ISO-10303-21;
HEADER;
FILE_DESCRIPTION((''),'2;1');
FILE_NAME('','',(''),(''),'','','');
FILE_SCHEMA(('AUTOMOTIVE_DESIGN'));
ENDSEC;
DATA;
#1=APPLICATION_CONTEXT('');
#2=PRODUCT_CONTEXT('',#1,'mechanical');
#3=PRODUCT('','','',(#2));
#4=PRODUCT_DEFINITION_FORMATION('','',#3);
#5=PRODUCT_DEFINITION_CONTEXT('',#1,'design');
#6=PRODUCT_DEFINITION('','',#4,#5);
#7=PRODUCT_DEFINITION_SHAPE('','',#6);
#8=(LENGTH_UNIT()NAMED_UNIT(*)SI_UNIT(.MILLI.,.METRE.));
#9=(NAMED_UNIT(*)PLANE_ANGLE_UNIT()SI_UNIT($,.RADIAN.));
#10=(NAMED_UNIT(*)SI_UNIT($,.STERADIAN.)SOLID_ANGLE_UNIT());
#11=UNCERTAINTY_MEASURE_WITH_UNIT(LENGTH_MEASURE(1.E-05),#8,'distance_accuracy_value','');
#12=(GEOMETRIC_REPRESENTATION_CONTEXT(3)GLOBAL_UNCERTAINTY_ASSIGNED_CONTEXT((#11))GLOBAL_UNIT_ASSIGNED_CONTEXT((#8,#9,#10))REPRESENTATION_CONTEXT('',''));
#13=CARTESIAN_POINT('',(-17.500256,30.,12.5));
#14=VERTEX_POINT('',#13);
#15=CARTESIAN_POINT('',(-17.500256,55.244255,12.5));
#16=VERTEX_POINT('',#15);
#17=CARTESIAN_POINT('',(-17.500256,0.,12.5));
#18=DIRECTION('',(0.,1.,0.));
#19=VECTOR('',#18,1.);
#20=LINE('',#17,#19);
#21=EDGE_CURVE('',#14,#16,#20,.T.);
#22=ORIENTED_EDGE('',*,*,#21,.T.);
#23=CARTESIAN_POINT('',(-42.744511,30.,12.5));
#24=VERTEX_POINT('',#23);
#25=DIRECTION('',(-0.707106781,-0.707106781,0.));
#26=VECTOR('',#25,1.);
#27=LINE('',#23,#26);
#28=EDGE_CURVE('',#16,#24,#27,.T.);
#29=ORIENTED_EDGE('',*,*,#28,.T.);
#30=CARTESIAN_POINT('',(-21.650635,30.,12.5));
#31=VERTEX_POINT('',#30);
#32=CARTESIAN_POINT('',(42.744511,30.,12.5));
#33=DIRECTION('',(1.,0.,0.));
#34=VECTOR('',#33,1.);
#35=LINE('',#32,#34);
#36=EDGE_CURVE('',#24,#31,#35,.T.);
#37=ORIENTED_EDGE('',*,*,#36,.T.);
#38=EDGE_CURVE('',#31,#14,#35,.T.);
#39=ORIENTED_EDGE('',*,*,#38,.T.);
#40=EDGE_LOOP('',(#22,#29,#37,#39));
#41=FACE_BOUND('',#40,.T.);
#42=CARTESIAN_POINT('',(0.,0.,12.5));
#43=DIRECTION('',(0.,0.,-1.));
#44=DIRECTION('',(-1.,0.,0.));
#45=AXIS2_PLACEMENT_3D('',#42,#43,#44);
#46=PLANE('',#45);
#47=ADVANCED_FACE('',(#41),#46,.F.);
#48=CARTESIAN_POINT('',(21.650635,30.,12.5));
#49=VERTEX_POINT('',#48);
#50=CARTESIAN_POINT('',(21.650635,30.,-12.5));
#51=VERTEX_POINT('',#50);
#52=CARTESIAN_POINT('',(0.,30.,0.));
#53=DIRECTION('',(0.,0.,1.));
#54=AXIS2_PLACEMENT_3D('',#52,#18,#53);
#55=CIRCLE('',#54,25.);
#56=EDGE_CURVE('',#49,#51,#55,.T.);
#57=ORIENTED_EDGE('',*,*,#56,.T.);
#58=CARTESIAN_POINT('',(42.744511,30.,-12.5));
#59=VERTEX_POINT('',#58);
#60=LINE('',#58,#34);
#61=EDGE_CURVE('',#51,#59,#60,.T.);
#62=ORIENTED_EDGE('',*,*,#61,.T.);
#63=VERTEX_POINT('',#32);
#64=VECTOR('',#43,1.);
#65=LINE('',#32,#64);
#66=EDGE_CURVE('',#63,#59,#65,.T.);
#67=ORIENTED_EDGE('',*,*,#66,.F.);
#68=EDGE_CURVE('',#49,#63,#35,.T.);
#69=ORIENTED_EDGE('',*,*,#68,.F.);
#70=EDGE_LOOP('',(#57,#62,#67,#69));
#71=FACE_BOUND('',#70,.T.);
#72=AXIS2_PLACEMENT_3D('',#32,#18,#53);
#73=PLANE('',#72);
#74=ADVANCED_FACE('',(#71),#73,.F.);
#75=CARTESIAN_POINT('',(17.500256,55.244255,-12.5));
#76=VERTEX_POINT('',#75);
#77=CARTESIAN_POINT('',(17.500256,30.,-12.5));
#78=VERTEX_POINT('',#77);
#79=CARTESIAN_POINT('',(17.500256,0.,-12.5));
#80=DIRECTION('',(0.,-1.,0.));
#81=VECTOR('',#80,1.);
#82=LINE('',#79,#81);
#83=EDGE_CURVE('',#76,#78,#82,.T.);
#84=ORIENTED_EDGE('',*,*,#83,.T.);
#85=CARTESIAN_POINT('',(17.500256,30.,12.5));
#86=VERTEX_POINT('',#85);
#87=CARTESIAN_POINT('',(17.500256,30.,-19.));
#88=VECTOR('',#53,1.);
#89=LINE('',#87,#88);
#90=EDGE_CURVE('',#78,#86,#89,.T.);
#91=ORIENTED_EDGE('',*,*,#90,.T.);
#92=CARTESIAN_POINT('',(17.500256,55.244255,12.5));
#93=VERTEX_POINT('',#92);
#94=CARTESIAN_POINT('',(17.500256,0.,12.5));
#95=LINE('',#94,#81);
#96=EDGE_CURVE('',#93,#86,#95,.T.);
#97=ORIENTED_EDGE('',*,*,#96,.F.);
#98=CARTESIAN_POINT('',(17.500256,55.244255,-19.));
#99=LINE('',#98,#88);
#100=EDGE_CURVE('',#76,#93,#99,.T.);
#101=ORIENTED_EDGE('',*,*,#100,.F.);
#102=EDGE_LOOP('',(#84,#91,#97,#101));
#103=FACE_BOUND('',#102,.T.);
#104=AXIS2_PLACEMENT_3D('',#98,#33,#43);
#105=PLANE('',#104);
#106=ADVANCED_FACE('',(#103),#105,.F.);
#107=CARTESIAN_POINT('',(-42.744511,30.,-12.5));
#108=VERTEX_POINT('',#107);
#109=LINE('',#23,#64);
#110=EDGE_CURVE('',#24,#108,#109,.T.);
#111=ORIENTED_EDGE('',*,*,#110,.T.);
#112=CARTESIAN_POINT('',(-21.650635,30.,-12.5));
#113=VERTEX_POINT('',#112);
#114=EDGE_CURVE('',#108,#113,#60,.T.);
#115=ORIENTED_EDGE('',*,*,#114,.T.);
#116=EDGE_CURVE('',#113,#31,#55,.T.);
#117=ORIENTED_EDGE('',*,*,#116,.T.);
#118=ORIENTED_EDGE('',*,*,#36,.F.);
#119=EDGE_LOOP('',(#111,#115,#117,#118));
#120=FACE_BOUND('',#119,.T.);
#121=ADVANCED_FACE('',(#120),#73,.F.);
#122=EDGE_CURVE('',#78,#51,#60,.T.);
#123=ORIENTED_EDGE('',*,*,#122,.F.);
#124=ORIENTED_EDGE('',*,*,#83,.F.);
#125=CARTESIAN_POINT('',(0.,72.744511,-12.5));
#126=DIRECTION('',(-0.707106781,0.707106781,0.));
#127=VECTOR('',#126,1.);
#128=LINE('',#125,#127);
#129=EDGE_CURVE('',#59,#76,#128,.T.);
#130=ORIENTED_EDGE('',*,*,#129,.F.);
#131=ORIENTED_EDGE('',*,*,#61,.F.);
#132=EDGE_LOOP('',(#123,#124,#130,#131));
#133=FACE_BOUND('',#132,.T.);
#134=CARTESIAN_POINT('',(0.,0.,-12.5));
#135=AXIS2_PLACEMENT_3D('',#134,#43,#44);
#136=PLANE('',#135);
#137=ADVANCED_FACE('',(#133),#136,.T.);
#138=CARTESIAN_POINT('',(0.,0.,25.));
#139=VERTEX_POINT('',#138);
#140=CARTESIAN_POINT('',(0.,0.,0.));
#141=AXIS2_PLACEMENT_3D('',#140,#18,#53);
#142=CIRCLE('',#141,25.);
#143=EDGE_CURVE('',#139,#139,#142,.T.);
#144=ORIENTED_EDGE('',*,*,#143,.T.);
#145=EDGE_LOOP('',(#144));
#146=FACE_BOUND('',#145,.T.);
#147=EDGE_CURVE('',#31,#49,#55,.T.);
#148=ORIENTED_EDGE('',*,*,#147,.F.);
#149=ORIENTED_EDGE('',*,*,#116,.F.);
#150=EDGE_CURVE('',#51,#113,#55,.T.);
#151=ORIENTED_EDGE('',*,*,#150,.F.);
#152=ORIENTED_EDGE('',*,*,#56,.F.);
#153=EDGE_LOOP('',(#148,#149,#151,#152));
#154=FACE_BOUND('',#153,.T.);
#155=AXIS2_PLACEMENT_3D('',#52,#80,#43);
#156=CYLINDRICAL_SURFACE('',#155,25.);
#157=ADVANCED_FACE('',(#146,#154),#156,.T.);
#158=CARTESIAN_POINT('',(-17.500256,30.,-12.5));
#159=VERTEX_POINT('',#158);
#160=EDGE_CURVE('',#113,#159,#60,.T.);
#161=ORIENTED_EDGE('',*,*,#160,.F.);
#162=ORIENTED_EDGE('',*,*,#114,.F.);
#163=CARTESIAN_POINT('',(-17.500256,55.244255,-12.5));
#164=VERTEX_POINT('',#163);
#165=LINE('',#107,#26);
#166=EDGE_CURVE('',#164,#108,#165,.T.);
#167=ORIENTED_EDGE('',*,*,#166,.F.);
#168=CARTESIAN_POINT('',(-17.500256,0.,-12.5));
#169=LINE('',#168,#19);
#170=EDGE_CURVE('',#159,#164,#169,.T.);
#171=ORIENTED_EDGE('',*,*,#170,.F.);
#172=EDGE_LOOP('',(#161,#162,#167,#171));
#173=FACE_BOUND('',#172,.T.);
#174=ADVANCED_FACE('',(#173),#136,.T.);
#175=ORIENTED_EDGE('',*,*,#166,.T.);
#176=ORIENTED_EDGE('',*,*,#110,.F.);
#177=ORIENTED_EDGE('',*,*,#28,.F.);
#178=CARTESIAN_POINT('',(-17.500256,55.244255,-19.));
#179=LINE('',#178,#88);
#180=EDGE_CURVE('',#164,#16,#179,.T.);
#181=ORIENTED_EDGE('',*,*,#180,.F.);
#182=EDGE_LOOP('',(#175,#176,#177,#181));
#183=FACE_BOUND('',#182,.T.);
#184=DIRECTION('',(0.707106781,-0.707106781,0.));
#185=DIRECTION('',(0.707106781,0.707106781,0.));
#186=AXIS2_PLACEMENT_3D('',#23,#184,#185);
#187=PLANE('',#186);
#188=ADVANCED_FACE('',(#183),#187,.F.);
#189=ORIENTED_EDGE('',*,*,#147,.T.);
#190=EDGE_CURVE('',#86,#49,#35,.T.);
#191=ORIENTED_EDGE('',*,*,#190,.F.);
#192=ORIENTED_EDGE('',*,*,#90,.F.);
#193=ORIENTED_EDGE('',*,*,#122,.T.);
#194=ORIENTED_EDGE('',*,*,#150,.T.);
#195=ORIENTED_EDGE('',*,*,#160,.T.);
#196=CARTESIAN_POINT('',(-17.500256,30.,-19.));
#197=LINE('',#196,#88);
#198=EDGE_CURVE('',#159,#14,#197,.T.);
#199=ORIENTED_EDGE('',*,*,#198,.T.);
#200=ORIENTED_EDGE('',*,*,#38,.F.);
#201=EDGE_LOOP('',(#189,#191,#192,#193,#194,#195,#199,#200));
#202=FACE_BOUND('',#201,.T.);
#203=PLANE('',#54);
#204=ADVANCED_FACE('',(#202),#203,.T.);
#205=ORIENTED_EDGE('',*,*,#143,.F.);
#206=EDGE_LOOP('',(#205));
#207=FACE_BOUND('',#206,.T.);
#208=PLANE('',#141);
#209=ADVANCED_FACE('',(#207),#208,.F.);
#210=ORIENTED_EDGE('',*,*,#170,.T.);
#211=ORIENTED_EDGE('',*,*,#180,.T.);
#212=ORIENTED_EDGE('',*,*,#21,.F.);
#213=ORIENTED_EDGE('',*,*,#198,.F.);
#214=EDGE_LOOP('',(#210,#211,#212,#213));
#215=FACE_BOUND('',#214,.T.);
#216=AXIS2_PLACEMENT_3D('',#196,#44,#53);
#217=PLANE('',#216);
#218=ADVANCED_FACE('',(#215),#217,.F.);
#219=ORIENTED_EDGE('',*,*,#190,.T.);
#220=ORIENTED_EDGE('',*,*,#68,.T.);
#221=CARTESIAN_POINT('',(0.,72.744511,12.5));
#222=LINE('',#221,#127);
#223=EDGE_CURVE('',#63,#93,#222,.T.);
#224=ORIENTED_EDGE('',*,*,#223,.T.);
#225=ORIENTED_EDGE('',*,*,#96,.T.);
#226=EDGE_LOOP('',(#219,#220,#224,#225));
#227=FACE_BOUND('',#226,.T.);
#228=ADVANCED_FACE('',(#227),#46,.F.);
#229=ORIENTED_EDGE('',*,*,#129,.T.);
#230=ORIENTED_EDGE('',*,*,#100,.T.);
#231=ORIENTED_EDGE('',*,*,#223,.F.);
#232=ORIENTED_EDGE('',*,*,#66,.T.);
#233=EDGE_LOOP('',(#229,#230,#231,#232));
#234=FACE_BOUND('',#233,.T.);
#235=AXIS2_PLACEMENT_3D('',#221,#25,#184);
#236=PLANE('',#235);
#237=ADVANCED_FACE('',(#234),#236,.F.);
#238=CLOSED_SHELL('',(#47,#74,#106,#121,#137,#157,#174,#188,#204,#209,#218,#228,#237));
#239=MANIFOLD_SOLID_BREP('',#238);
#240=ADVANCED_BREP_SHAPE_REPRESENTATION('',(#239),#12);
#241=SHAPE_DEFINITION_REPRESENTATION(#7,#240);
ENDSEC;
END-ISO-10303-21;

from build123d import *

# Parameters (mm, degrees)
SKETCH_1_R          = 25
EXTRUDE_1_DEPTH     = 30
EXTRUDE_2_DEPTH     = 12.5
CUT_EXTRUDE_1_DEPTH = 19


with BuildPart() as part:
    # 草图1 → 凸台-拉伸1 (new body)
    with BuildSketch(Plane(origin=(0, 0, 0), x_dir=(1, 0, 0), z_dir=(0, 1, 0))):
        Circle(SKETCH_1_R)
    extrude(amount=EXTRUDE_1_DEPTH)

    # 草图3 → 凸台-拉伸2 (add, symmetric)
    with BuildSketch(Plane.XY):
        Polygon((42.744510846, 30), (-42.744510846, 30), (0, 72.744510846), align=None)
    extrude(amount=EXTRUDE_2_DEPTH, both=True)

    # 草图4 → 切除-拉伸1 (cut, symmetric)
    with BuildSketch(Plane.XY):
        Polygon((17.500255974, 30), (-17.500255974, 30), (-17.500255974, 55.244254872), (0, 72.744510846), (17.500255974, 55.244254872), align=None)
    extrude(amount=CUT_EXTRUDE_1_DEPTH, both=True, mode=Mode.SUBTRACT)


solid = part.part
